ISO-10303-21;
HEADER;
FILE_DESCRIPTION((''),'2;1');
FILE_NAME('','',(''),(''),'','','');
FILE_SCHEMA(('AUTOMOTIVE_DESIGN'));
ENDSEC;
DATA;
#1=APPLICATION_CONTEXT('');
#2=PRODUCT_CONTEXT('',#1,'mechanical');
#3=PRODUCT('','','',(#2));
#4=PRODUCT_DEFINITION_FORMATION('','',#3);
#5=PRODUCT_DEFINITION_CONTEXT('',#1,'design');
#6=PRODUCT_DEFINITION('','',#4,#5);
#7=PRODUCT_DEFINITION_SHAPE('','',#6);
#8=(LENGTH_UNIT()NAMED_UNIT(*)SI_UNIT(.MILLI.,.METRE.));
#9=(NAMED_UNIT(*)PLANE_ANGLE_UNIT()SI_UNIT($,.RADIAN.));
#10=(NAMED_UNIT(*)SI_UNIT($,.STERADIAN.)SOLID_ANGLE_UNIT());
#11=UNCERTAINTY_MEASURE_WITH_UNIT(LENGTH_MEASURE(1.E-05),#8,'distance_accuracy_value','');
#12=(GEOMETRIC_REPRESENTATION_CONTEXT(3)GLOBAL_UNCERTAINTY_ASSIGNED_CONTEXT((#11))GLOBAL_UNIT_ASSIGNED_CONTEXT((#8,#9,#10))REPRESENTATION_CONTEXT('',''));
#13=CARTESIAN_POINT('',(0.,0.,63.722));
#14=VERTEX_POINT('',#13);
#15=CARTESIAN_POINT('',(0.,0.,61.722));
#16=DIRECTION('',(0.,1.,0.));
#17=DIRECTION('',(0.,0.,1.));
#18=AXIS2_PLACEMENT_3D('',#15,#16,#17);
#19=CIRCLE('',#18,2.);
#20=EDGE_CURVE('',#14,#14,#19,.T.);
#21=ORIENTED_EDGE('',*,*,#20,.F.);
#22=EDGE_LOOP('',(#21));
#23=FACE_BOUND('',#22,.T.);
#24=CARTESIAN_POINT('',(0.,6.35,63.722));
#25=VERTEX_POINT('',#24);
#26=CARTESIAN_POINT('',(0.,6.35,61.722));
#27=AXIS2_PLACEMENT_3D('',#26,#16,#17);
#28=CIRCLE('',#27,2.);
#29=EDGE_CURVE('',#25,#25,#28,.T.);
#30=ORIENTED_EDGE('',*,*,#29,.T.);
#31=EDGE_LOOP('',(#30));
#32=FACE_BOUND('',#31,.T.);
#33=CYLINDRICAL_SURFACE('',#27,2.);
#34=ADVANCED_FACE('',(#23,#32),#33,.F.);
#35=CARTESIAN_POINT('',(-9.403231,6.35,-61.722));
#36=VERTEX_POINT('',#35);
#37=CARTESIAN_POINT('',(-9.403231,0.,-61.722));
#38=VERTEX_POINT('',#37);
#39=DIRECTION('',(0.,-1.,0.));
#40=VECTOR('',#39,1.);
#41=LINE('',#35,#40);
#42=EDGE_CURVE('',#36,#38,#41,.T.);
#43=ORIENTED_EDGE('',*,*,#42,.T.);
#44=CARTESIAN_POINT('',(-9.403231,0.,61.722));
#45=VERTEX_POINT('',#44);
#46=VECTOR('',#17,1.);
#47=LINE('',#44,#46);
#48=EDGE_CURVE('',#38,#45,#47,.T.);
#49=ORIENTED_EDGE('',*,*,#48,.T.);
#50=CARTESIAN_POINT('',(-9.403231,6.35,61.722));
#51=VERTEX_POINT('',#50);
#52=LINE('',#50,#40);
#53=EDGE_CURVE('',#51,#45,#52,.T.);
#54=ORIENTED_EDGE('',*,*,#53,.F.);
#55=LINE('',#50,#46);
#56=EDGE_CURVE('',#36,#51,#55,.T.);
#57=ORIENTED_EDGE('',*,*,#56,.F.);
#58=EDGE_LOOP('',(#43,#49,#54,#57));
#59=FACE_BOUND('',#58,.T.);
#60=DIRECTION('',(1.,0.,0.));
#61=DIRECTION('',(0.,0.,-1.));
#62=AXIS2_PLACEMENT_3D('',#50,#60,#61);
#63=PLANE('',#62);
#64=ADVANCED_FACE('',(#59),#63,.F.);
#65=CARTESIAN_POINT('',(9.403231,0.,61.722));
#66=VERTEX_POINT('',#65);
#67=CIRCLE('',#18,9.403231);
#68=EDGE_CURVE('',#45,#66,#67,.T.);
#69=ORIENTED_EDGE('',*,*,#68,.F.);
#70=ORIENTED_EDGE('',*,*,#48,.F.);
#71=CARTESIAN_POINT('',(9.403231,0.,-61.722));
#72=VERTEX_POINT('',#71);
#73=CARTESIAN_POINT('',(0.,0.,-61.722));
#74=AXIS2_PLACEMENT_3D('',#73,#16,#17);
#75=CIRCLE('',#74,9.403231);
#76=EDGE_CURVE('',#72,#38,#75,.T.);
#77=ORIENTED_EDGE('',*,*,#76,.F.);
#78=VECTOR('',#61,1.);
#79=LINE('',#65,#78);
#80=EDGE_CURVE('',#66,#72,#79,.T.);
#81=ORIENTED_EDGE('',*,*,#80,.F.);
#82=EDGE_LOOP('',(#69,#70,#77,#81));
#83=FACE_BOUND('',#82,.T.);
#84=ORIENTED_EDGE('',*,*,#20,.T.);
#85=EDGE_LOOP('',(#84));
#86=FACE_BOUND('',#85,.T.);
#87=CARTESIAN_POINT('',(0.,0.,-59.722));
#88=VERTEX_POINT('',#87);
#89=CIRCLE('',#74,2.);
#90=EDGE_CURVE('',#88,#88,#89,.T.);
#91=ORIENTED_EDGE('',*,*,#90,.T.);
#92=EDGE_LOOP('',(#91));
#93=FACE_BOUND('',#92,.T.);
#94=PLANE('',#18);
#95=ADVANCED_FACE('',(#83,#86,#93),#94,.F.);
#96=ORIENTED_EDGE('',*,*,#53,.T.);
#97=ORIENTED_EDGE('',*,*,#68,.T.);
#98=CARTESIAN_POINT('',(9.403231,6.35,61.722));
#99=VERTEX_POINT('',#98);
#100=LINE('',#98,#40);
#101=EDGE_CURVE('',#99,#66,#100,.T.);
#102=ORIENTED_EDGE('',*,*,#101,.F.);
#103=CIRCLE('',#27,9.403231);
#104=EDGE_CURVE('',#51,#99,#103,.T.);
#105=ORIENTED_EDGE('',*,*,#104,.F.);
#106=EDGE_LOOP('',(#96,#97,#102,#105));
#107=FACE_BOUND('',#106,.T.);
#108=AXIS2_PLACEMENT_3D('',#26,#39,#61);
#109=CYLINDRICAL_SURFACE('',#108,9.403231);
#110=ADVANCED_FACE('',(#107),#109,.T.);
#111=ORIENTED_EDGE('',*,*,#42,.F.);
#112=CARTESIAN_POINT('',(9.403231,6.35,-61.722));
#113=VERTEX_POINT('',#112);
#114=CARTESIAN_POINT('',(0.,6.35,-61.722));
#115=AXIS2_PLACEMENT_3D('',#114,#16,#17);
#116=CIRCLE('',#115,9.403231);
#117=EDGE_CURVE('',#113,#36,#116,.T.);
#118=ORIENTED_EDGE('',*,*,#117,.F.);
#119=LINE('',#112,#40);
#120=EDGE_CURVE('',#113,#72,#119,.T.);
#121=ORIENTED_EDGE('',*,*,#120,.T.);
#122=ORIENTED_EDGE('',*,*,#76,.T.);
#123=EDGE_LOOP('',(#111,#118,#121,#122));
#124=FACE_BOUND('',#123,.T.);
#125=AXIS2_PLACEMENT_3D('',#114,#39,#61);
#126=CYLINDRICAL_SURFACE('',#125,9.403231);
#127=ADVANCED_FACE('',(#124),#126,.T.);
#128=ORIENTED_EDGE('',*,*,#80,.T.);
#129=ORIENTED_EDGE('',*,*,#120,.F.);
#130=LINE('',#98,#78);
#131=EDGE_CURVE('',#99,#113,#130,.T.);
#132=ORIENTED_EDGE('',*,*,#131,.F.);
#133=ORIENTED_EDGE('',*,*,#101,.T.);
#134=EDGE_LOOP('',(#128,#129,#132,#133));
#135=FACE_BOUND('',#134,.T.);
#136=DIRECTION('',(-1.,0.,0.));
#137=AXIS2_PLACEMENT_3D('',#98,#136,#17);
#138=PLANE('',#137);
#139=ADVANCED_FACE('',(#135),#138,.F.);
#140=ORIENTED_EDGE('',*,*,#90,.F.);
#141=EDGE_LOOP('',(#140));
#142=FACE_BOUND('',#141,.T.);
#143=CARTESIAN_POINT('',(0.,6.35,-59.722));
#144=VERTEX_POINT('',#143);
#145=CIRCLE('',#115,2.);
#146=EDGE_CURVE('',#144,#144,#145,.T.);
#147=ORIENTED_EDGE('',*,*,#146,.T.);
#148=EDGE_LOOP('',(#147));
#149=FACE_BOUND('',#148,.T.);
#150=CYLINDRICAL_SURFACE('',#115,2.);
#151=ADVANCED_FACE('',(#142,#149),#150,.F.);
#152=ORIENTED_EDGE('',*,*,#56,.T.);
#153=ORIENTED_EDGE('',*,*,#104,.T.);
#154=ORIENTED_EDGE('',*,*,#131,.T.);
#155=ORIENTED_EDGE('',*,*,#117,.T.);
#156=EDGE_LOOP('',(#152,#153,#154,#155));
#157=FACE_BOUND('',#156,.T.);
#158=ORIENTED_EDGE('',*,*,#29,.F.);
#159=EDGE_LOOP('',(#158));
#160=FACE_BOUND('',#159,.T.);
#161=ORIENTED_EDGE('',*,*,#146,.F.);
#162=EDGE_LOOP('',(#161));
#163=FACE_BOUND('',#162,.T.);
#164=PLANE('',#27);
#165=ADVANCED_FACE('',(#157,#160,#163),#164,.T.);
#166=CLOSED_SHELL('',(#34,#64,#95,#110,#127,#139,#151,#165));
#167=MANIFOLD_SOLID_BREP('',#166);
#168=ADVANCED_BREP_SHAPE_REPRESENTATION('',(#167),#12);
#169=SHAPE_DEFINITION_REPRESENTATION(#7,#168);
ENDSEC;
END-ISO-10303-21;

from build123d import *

# Parameters (mm, degrees)
BOSS_EXTRUDE1_DEPTH      = 6.35
F_4_0_4_DIAMETER_HOLE1_D = 4


with BuildPart() as part:
    # Sketch1 → Boss-Extrude1 (new body)
    with BuildSketch(Plane(origin=(0, 0, 0), x_dir=(1, 0, 0), z_dir=(0, 1, 0))):
        with BuildLine():
            Line((-9.403230985, -61.722), (-9.403230985, 61.722))
            ThreePointArc((-9.403230985, 61.722), (0, 71.125230985), (9.403230985, 61.722))
            Line((9.403230985, 61.722), (9.403230985, -61.722))
            ThreePointArc((9.403230985, -61.722), (0, -71.125230985), (-9.403230985, -61.722))
        make_face()
    extrude(amount=BOSS_EXTRUDE1_DEPTH)

    # Ø4.0 (4) Diameter Hole1 (through all)
    with Locations(Plane(origin=(0, 6.35, 0), x_dir=(1, 0, 0), z_dir=(0, 1, 0))):
        with Locations((0, -61.722), (0, 61.722)):
            Hole(F_4_0_4_DIAMETER_HOLE1_D / 2)


solid = part.part
